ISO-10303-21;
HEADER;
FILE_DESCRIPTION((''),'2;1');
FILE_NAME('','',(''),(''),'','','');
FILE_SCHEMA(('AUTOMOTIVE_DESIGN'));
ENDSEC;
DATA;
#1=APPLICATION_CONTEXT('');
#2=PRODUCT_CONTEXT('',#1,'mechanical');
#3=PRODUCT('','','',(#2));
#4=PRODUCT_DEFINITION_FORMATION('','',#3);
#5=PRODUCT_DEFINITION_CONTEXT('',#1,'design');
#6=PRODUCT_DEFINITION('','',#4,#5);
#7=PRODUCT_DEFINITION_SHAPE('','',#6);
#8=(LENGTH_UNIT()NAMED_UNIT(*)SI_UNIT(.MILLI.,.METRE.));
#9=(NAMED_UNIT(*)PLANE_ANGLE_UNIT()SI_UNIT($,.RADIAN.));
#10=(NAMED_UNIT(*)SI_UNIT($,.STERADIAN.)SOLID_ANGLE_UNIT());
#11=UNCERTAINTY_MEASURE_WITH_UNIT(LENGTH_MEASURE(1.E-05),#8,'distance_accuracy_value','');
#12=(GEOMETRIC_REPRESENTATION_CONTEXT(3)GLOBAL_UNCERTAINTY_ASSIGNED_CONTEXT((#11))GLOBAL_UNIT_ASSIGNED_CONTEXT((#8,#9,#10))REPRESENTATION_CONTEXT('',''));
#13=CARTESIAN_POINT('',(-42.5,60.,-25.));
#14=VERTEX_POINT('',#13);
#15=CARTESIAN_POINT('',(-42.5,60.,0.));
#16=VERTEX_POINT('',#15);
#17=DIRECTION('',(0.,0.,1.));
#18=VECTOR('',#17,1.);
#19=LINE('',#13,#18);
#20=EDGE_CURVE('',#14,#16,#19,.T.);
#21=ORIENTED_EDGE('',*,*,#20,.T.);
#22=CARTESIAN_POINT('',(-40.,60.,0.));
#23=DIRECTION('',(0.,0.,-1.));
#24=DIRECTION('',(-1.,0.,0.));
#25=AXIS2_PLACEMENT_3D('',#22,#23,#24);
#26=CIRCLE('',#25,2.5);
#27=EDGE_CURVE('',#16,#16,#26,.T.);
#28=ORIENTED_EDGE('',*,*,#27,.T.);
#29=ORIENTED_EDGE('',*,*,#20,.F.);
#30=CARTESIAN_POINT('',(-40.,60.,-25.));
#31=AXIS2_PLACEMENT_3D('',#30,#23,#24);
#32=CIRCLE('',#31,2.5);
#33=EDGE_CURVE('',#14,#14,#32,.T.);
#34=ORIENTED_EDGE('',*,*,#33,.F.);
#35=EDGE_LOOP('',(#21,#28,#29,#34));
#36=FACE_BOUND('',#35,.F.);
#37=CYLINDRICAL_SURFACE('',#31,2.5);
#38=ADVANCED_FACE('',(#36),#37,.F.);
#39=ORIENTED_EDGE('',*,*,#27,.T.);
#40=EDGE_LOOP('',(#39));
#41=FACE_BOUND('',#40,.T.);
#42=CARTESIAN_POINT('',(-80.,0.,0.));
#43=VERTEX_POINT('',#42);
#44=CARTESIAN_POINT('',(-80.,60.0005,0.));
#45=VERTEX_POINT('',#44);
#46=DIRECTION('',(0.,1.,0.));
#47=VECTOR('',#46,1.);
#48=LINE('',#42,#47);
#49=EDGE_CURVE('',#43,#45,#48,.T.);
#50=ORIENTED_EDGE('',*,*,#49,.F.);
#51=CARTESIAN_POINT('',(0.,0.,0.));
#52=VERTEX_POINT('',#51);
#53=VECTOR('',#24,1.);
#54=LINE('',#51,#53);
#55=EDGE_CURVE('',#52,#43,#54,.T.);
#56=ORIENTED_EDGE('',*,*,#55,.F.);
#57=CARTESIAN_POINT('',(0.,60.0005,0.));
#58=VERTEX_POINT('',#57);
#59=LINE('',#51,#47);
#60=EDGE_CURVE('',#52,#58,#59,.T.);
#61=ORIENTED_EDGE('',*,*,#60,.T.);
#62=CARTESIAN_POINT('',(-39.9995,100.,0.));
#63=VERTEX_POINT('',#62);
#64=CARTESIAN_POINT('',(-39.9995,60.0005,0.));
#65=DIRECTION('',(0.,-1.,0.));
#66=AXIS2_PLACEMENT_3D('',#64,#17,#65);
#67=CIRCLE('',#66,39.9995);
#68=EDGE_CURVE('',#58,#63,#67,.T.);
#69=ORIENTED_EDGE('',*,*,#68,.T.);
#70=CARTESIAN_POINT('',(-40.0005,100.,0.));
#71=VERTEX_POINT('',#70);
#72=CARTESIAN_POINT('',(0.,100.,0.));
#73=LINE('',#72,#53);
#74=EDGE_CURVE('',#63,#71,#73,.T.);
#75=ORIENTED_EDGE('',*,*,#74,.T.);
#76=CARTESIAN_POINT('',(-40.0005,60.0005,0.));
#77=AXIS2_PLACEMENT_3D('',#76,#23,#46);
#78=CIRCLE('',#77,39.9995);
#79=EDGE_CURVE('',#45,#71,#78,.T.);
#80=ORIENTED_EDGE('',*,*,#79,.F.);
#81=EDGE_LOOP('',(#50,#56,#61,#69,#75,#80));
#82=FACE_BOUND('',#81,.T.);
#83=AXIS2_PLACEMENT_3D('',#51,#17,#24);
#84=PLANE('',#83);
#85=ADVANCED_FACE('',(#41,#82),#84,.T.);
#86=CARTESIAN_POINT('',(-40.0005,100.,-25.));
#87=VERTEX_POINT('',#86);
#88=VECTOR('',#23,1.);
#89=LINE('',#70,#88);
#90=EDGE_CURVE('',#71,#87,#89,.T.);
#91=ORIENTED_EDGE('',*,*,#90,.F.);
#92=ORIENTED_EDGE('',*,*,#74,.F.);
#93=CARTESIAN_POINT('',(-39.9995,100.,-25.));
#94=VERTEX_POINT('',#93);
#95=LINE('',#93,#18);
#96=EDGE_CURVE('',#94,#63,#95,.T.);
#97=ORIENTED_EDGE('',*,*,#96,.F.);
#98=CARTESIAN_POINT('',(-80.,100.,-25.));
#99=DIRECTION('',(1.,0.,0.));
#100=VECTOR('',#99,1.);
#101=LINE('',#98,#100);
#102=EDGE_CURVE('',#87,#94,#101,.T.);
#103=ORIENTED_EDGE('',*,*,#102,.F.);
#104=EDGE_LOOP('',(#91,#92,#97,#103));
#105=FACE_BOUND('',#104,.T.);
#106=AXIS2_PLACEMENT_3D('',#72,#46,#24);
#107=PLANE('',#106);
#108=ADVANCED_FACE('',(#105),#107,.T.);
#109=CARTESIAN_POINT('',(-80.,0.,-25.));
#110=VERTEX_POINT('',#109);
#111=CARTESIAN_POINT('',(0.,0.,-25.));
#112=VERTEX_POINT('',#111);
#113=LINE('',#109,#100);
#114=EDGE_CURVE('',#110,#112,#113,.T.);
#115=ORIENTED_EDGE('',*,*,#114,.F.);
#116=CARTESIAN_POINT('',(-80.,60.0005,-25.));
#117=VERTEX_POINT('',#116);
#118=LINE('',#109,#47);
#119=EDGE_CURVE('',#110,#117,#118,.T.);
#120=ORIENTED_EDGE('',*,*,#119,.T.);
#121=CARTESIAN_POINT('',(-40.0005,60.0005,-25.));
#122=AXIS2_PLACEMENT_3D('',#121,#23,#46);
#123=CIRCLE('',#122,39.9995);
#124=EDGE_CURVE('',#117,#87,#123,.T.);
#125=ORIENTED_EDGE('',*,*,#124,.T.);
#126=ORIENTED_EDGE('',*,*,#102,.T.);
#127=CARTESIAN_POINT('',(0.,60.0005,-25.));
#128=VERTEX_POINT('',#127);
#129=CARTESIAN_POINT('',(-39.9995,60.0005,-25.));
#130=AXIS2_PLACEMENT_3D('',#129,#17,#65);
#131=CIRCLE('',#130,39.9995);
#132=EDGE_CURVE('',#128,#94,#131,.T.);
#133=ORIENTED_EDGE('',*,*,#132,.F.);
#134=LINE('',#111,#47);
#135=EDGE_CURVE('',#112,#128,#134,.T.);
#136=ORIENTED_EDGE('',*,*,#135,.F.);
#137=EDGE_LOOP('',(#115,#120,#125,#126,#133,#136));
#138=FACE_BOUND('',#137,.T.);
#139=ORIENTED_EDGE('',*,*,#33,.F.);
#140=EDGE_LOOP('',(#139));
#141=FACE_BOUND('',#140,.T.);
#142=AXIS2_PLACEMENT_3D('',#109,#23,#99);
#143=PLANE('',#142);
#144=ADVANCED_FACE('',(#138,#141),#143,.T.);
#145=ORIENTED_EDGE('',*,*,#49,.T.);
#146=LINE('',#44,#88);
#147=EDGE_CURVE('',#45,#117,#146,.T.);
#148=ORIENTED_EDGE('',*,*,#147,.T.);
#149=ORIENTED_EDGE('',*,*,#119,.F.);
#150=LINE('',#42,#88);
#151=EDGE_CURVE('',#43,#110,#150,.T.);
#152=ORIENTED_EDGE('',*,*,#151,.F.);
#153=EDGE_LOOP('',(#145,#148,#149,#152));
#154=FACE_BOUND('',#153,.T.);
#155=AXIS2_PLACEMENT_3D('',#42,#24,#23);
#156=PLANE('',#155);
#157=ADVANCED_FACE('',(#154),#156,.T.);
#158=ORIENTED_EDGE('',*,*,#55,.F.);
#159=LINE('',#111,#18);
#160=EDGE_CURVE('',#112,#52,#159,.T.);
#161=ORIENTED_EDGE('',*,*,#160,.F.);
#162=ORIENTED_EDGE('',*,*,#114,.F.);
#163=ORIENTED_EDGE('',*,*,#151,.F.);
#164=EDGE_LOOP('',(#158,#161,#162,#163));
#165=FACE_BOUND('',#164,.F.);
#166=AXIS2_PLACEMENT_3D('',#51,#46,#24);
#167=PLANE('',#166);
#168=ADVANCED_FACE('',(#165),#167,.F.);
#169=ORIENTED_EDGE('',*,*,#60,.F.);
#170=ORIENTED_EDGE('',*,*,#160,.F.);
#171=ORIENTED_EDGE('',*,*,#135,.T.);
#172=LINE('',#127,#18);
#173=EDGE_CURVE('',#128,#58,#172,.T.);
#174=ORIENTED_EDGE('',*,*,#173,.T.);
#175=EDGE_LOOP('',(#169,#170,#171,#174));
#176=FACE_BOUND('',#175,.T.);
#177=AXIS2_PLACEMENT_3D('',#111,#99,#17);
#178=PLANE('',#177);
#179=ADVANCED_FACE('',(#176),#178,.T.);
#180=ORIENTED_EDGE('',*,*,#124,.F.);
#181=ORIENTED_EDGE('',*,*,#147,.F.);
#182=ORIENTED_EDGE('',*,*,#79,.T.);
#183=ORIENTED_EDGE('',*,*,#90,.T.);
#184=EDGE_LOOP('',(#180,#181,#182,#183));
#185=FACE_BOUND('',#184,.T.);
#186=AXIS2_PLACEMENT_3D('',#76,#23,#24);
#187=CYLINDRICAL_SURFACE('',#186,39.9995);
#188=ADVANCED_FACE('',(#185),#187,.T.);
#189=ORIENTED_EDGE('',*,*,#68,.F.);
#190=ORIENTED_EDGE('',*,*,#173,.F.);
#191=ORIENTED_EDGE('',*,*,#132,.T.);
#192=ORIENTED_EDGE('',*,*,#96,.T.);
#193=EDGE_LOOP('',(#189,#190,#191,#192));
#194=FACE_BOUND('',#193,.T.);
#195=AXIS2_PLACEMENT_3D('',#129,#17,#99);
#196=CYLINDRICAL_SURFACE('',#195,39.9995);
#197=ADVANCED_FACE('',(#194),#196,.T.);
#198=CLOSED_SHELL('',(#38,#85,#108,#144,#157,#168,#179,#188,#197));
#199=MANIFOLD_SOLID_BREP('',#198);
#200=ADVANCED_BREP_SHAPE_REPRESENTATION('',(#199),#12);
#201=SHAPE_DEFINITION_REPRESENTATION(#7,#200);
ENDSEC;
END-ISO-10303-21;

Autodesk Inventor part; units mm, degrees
ref_plane "YZ Plane" through (0, 0, 0) normal (1, 0, 0) x (0, 1, 0)
ref_plane "XZ Plane" through (0, 0, 0) normal (0, 1, 0) x (-1, 0, 0)
ref_plane "XY Plane" through (0, 0, 0) normal (0, 0, 1) x (1, 0, 0)
sketch "Sketch1" plane through (0, 0, 0) normal (0, 1, 0) x (-1, 0, 0)
  line L0 (0, 0) -> (80, 0)
  line L1 (80, 0) -> (80, -25)
  line L2 (80, -25) -> (0, -25)
  line L3 (0, -25) -> (0, 0)
  dimension "d0" = 80
  dimension "d1" = 25
extrude "Extrusion1" add sketch "Sketch1" along normal blind 100
fillet "Fillet1" radius 40 2 edges at (0, 100, -12.5) (-80, 100, -12.5)
sketch "Sketch2" plane through (0, 0, -25) normal (0, 0, -1) x (-1, 0, 0)
  arc A0 (80, 60) -> (0, 60) centre (40, 60) ccw projected
  circle A1 centre (40, 60) radius 2.5
  point P0 (0, 0)
  dimension "d5" = 5
extrude "Extrusion2" cut sketch "Sketch2" against normal blind 100
properties part number "Foot"
